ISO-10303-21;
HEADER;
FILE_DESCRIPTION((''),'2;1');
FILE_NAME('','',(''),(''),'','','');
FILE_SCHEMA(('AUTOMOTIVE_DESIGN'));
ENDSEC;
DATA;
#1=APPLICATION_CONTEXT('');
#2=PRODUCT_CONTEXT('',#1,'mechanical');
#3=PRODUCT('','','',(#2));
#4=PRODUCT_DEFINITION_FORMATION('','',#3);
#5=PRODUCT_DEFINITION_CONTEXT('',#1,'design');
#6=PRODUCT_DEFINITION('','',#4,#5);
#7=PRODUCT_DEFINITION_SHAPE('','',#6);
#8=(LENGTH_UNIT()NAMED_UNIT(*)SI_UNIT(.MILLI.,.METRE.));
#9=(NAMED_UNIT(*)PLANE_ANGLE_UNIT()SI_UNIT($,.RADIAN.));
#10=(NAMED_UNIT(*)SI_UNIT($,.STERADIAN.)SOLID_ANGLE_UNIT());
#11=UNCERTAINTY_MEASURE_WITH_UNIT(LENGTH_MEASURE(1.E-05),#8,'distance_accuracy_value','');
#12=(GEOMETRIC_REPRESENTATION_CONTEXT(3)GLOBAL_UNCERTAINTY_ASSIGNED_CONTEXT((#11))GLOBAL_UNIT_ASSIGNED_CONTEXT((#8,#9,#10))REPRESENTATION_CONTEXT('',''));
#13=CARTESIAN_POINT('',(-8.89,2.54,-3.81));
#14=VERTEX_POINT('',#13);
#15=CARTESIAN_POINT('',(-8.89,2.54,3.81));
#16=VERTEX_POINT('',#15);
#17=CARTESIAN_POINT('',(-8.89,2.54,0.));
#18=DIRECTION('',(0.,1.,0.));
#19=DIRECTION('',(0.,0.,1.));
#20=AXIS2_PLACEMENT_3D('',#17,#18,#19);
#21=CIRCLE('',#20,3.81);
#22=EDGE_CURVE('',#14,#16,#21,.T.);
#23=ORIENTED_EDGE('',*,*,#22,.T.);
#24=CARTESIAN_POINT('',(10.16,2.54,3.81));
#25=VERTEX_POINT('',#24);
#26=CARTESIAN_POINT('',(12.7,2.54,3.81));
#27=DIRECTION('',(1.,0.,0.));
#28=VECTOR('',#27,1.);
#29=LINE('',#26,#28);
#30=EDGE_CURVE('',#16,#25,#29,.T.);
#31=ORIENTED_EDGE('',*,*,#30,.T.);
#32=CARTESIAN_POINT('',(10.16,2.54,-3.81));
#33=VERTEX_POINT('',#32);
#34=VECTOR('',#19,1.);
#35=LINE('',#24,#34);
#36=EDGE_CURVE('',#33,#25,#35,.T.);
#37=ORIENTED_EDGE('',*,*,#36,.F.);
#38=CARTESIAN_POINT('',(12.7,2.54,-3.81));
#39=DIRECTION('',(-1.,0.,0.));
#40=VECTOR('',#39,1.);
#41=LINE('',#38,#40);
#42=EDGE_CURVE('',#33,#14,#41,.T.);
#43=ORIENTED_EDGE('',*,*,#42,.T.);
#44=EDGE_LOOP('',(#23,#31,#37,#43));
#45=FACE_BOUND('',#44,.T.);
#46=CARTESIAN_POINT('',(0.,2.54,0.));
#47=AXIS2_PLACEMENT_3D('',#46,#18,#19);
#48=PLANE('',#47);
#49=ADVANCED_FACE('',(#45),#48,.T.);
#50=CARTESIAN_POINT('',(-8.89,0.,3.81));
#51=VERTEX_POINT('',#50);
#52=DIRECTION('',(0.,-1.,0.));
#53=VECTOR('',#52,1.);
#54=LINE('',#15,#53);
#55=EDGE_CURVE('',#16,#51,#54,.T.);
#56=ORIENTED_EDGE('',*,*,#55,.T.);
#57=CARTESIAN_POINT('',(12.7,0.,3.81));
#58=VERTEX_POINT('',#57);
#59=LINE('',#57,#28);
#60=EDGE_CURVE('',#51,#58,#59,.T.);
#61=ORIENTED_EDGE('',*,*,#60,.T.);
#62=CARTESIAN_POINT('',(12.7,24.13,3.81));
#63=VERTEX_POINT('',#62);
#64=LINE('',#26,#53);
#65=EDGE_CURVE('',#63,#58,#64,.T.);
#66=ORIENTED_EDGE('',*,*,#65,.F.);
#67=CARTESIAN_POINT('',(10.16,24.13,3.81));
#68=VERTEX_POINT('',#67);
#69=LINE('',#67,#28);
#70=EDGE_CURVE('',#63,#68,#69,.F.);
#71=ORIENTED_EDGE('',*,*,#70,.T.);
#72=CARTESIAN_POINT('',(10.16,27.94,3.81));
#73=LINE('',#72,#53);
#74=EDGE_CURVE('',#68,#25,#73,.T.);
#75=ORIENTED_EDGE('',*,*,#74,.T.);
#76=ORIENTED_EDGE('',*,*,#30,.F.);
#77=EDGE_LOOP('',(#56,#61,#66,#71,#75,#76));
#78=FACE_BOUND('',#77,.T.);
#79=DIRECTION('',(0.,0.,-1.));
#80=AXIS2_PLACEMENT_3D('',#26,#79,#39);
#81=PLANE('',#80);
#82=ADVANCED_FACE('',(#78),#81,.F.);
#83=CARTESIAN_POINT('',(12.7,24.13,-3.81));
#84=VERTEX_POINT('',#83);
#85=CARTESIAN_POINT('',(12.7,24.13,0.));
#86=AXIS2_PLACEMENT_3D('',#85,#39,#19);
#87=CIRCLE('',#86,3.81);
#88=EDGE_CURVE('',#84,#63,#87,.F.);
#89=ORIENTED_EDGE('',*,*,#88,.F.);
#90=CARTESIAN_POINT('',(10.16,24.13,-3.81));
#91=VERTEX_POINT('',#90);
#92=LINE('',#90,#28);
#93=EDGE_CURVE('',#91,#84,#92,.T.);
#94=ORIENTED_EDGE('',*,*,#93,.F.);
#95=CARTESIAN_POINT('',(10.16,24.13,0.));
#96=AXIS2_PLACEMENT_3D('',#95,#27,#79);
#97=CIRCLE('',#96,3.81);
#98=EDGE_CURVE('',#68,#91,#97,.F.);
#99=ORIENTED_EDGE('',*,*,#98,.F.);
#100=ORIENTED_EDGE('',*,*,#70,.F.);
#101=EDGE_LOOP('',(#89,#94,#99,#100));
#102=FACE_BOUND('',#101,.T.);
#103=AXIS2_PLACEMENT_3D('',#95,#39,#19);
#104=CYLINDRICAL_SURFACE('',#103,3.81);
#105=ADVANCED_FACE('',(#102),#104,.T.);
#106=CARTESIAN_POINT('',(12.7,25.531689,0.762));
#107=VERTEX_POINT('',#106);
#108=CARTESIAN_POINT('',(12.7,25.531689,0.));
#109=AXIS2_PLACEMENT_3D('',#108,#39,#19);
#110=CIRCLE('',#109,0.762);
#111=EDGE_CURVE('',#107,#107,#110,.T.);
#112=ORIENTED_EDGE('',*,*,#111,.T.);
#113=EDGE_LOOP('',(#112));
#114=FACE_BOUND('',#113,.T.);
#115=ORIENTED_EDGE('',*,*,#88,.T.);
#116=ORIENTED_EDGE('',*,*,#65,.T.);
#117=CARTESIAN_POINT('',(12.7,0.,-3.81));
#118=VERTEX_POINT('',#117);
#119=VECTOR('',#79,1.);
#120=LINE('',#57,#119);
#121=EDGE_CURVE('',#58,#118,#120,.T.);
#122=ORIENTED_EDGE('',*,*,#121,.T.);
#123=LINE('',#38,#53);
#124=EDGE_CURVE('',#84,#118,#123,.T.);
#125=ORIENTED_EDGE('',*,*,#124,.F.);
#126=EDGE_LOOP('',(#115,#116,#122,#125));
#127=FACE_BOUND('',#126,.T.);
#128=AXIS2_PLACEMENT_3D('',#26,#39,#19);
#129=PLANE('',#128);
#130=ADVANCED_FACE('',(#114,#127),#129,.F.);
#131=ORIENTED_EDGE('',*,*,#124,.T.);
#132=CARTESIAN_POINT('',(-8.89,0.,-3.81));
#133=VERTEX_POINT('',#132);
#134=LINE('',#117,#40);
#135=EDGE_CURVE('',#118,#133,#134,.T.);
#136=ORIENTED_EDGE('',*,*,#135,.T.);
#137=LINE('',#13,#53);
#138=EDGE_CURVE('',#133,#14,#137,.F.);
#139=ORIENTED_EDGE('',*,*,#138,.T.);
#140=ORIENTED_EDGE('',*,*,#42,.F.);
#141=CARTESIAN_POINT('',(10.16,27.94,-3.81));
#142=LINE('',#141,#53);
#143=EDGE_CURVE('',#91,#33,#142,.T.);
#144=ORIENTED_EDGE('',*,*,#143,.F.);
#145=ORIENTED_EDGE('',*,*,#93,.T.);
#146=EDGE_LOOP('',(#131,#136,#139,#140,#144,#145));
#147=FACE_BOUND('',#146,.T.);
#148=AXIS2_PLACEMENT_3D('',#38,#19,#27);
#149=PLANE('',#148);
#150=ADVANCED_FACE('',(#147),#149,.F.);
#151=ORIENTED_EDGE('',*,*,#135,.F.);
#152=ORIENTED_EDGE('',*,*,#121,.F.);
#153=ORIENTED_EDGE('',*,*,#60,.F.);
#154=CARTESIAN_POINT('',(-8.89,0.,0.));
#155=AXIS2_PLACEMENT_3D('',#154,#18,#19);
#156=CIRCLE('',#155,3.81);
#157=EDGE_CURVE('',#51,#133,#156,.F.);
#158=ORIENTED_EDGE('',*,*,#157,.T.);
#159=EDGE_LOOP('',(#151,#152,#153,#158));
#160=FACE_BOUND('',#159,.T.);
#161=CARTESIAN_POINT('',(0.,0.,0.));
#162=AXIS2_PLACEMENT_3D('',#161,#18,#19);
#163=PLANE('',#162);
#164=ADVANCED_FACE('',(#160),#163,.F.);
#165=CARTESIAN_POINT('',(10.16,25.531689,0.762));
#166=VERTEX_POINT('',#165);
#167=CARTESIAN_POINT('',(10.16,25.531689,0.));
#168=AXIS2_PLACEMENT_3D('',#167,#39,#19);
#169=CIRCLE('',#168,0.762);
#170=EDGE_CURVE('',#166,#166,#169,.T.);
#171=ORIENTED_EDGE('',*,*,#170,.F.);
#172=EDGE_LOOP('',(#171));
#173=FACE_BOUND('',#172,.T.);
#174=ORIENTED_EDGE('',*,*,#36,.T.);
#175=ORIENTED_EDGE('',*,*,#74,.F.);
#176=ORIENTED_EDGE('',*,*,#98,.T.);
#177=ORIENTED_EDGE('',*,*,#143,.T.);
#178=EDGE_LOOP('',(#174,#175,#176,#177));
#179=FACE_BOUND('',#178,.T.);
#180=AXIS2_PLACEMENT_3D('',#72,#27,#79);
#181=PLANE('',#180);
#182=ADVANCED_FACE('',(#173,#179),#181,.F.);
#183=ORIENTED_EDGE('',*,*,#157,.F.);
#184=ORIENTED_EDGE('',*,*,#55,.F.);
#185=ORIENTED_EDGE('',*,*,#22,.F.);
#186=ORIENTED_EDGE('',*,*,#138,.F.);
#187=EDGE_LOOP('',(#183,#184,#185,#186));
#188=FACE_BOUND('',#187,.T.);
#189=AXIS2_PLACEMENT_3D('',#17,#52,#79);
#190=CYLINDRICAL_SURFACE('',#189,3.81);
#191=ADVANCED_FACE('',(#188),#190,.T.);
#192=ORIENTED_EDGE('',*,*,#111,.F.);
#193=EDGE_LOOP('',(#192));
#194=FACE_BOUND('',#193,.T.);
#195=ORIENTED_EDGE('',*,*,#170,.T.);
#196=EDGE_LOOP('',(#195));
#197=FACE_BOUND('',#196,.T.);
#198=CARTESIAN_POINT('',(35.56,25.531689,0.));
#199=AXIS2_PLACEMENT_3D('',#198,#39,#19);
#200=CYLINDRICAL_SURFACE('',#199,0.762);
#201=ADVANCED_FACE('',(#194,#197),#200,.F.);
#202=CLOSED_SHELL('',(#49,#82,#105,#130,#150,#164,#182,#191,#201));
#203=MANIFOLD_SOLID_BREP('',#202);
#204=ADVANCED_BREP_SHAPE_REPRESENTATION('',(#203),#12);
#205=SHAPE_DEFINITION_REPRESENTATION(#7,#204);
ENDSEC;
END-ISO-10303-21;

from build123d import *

# Parameters (mm, degrees)
SKETCH1_W           = 25.4
SKETCH1_H           = 7.62
BOSS_EXTRUDE1_DEPTH = 2.54
SKETCH3_W           = 2.54
SKETCH3_H           = 7.62
BOSS_EXTRUDE3_DEPTH = 25.4
FILLET1_RADIUS      = 3.81
FILLET1_LENGTH      = 2.54
SKETCH5_R           = 0.762
CUT_EXTRUDE1_DEPTH  = 25.4
FILLET2_RADIUS      = 3.81
FILLET2_LENGTH      = 2.54


with BuildPart() as part:
    # Sketch1 → Boss-Extrude1 (new body)
    with BuildSketch(Plane(origin=(0, 0, 0), x_dir=(1, 0, 0), z_dir=(0, 1, 0))):
        Rectangle(SKETCH1_W, SKETCH1_H)
    extrude(amount=BOSS_EXTRUDE1_DEPTH)

    # Sketch3 → Boss-Extrude3 (add)
    with BuildSketch(Plane(origin=(0, 2.54, 0), x_dir=(1, 0, 0), z_dir=(0, 1, 0))):
        with Locations((11.43, 0)):
            Rectangle(SKETCH3_W, SKETCH3_H)
    extrude(amount=BOSS_EXTRUDE3_DEPTH)

    # Fillet1: full round fillet: the end face becomes a half cylinder, R = half its width
    fillet1_face = Plane((-12.7, 1.27, 0), x_dir=(0, -1, 0), z_dir=(-1, 0, 0))  # on the end face: x along it, z out of the body
    fillet1_slab = fillet1_face.offset(-FILLET1_RADIUS / 2) * Box(FILLET1_LENGTH, 2 * FILLET1_RADIUS, FILLET1_RADIUS, mode=Mode.PRIVATE)  # the body's end, R deep
    fillet1_round = Plane((-8.89, 1.27, 0), x_dir=(-1, 0, 0), z_dir=(0, -1, 0)) * Cylinder(FILLET1_RADIUS, FILLET1_LENGTH, mode=Mode.PRIVATE)  # its axis R under the face
    add(fillet1_slab - fillet1_round, mode=Mode.SUBTRACT)

    # Sketch5 → Cut-Extrude1 (cut)
    with BuildSketch(Plane.ZY.offset(-10.16)):
        with Locations((0, 25.531689307)):
            Circle(SKETCH5_R)
    extrude(amount=-CUT_EXTRUDE1_DEPTH, mode=Mode.SUBTRACT)

    # Fillet2: full round fillet: the end face becomes a half cylinder, R = half its width
    fillet2_face = Plane((11.43, 27.94, 0), x_dir=(-1, 0, 0), z_dir=(0, 1, 0))  # on the end face: x along it, z out of the body
    fillet2_slab = fillet2_face.offset(-FILLET2_RADIUS / 2) * Box(FILLET2_LENGTH, 2 * FILLET2_RADIUS, FILLET2_RADIUS, mode=Mode.PRIVATE)  # the body's end, R deep
    fillet2_round = Plane((11.43, 24.13, 0), x_dir=(0, 1, 0), z_dir=(-1, 0, 0)) * Cylinder(FILLET2_RADIUS, FILLET2_LENGTH, mode=Mode.PRIVATE)  # its axis R under the face
    add(fillet2_slab - fillet2_round, mode=Mode.SUBTRACT)


solid = part.part
